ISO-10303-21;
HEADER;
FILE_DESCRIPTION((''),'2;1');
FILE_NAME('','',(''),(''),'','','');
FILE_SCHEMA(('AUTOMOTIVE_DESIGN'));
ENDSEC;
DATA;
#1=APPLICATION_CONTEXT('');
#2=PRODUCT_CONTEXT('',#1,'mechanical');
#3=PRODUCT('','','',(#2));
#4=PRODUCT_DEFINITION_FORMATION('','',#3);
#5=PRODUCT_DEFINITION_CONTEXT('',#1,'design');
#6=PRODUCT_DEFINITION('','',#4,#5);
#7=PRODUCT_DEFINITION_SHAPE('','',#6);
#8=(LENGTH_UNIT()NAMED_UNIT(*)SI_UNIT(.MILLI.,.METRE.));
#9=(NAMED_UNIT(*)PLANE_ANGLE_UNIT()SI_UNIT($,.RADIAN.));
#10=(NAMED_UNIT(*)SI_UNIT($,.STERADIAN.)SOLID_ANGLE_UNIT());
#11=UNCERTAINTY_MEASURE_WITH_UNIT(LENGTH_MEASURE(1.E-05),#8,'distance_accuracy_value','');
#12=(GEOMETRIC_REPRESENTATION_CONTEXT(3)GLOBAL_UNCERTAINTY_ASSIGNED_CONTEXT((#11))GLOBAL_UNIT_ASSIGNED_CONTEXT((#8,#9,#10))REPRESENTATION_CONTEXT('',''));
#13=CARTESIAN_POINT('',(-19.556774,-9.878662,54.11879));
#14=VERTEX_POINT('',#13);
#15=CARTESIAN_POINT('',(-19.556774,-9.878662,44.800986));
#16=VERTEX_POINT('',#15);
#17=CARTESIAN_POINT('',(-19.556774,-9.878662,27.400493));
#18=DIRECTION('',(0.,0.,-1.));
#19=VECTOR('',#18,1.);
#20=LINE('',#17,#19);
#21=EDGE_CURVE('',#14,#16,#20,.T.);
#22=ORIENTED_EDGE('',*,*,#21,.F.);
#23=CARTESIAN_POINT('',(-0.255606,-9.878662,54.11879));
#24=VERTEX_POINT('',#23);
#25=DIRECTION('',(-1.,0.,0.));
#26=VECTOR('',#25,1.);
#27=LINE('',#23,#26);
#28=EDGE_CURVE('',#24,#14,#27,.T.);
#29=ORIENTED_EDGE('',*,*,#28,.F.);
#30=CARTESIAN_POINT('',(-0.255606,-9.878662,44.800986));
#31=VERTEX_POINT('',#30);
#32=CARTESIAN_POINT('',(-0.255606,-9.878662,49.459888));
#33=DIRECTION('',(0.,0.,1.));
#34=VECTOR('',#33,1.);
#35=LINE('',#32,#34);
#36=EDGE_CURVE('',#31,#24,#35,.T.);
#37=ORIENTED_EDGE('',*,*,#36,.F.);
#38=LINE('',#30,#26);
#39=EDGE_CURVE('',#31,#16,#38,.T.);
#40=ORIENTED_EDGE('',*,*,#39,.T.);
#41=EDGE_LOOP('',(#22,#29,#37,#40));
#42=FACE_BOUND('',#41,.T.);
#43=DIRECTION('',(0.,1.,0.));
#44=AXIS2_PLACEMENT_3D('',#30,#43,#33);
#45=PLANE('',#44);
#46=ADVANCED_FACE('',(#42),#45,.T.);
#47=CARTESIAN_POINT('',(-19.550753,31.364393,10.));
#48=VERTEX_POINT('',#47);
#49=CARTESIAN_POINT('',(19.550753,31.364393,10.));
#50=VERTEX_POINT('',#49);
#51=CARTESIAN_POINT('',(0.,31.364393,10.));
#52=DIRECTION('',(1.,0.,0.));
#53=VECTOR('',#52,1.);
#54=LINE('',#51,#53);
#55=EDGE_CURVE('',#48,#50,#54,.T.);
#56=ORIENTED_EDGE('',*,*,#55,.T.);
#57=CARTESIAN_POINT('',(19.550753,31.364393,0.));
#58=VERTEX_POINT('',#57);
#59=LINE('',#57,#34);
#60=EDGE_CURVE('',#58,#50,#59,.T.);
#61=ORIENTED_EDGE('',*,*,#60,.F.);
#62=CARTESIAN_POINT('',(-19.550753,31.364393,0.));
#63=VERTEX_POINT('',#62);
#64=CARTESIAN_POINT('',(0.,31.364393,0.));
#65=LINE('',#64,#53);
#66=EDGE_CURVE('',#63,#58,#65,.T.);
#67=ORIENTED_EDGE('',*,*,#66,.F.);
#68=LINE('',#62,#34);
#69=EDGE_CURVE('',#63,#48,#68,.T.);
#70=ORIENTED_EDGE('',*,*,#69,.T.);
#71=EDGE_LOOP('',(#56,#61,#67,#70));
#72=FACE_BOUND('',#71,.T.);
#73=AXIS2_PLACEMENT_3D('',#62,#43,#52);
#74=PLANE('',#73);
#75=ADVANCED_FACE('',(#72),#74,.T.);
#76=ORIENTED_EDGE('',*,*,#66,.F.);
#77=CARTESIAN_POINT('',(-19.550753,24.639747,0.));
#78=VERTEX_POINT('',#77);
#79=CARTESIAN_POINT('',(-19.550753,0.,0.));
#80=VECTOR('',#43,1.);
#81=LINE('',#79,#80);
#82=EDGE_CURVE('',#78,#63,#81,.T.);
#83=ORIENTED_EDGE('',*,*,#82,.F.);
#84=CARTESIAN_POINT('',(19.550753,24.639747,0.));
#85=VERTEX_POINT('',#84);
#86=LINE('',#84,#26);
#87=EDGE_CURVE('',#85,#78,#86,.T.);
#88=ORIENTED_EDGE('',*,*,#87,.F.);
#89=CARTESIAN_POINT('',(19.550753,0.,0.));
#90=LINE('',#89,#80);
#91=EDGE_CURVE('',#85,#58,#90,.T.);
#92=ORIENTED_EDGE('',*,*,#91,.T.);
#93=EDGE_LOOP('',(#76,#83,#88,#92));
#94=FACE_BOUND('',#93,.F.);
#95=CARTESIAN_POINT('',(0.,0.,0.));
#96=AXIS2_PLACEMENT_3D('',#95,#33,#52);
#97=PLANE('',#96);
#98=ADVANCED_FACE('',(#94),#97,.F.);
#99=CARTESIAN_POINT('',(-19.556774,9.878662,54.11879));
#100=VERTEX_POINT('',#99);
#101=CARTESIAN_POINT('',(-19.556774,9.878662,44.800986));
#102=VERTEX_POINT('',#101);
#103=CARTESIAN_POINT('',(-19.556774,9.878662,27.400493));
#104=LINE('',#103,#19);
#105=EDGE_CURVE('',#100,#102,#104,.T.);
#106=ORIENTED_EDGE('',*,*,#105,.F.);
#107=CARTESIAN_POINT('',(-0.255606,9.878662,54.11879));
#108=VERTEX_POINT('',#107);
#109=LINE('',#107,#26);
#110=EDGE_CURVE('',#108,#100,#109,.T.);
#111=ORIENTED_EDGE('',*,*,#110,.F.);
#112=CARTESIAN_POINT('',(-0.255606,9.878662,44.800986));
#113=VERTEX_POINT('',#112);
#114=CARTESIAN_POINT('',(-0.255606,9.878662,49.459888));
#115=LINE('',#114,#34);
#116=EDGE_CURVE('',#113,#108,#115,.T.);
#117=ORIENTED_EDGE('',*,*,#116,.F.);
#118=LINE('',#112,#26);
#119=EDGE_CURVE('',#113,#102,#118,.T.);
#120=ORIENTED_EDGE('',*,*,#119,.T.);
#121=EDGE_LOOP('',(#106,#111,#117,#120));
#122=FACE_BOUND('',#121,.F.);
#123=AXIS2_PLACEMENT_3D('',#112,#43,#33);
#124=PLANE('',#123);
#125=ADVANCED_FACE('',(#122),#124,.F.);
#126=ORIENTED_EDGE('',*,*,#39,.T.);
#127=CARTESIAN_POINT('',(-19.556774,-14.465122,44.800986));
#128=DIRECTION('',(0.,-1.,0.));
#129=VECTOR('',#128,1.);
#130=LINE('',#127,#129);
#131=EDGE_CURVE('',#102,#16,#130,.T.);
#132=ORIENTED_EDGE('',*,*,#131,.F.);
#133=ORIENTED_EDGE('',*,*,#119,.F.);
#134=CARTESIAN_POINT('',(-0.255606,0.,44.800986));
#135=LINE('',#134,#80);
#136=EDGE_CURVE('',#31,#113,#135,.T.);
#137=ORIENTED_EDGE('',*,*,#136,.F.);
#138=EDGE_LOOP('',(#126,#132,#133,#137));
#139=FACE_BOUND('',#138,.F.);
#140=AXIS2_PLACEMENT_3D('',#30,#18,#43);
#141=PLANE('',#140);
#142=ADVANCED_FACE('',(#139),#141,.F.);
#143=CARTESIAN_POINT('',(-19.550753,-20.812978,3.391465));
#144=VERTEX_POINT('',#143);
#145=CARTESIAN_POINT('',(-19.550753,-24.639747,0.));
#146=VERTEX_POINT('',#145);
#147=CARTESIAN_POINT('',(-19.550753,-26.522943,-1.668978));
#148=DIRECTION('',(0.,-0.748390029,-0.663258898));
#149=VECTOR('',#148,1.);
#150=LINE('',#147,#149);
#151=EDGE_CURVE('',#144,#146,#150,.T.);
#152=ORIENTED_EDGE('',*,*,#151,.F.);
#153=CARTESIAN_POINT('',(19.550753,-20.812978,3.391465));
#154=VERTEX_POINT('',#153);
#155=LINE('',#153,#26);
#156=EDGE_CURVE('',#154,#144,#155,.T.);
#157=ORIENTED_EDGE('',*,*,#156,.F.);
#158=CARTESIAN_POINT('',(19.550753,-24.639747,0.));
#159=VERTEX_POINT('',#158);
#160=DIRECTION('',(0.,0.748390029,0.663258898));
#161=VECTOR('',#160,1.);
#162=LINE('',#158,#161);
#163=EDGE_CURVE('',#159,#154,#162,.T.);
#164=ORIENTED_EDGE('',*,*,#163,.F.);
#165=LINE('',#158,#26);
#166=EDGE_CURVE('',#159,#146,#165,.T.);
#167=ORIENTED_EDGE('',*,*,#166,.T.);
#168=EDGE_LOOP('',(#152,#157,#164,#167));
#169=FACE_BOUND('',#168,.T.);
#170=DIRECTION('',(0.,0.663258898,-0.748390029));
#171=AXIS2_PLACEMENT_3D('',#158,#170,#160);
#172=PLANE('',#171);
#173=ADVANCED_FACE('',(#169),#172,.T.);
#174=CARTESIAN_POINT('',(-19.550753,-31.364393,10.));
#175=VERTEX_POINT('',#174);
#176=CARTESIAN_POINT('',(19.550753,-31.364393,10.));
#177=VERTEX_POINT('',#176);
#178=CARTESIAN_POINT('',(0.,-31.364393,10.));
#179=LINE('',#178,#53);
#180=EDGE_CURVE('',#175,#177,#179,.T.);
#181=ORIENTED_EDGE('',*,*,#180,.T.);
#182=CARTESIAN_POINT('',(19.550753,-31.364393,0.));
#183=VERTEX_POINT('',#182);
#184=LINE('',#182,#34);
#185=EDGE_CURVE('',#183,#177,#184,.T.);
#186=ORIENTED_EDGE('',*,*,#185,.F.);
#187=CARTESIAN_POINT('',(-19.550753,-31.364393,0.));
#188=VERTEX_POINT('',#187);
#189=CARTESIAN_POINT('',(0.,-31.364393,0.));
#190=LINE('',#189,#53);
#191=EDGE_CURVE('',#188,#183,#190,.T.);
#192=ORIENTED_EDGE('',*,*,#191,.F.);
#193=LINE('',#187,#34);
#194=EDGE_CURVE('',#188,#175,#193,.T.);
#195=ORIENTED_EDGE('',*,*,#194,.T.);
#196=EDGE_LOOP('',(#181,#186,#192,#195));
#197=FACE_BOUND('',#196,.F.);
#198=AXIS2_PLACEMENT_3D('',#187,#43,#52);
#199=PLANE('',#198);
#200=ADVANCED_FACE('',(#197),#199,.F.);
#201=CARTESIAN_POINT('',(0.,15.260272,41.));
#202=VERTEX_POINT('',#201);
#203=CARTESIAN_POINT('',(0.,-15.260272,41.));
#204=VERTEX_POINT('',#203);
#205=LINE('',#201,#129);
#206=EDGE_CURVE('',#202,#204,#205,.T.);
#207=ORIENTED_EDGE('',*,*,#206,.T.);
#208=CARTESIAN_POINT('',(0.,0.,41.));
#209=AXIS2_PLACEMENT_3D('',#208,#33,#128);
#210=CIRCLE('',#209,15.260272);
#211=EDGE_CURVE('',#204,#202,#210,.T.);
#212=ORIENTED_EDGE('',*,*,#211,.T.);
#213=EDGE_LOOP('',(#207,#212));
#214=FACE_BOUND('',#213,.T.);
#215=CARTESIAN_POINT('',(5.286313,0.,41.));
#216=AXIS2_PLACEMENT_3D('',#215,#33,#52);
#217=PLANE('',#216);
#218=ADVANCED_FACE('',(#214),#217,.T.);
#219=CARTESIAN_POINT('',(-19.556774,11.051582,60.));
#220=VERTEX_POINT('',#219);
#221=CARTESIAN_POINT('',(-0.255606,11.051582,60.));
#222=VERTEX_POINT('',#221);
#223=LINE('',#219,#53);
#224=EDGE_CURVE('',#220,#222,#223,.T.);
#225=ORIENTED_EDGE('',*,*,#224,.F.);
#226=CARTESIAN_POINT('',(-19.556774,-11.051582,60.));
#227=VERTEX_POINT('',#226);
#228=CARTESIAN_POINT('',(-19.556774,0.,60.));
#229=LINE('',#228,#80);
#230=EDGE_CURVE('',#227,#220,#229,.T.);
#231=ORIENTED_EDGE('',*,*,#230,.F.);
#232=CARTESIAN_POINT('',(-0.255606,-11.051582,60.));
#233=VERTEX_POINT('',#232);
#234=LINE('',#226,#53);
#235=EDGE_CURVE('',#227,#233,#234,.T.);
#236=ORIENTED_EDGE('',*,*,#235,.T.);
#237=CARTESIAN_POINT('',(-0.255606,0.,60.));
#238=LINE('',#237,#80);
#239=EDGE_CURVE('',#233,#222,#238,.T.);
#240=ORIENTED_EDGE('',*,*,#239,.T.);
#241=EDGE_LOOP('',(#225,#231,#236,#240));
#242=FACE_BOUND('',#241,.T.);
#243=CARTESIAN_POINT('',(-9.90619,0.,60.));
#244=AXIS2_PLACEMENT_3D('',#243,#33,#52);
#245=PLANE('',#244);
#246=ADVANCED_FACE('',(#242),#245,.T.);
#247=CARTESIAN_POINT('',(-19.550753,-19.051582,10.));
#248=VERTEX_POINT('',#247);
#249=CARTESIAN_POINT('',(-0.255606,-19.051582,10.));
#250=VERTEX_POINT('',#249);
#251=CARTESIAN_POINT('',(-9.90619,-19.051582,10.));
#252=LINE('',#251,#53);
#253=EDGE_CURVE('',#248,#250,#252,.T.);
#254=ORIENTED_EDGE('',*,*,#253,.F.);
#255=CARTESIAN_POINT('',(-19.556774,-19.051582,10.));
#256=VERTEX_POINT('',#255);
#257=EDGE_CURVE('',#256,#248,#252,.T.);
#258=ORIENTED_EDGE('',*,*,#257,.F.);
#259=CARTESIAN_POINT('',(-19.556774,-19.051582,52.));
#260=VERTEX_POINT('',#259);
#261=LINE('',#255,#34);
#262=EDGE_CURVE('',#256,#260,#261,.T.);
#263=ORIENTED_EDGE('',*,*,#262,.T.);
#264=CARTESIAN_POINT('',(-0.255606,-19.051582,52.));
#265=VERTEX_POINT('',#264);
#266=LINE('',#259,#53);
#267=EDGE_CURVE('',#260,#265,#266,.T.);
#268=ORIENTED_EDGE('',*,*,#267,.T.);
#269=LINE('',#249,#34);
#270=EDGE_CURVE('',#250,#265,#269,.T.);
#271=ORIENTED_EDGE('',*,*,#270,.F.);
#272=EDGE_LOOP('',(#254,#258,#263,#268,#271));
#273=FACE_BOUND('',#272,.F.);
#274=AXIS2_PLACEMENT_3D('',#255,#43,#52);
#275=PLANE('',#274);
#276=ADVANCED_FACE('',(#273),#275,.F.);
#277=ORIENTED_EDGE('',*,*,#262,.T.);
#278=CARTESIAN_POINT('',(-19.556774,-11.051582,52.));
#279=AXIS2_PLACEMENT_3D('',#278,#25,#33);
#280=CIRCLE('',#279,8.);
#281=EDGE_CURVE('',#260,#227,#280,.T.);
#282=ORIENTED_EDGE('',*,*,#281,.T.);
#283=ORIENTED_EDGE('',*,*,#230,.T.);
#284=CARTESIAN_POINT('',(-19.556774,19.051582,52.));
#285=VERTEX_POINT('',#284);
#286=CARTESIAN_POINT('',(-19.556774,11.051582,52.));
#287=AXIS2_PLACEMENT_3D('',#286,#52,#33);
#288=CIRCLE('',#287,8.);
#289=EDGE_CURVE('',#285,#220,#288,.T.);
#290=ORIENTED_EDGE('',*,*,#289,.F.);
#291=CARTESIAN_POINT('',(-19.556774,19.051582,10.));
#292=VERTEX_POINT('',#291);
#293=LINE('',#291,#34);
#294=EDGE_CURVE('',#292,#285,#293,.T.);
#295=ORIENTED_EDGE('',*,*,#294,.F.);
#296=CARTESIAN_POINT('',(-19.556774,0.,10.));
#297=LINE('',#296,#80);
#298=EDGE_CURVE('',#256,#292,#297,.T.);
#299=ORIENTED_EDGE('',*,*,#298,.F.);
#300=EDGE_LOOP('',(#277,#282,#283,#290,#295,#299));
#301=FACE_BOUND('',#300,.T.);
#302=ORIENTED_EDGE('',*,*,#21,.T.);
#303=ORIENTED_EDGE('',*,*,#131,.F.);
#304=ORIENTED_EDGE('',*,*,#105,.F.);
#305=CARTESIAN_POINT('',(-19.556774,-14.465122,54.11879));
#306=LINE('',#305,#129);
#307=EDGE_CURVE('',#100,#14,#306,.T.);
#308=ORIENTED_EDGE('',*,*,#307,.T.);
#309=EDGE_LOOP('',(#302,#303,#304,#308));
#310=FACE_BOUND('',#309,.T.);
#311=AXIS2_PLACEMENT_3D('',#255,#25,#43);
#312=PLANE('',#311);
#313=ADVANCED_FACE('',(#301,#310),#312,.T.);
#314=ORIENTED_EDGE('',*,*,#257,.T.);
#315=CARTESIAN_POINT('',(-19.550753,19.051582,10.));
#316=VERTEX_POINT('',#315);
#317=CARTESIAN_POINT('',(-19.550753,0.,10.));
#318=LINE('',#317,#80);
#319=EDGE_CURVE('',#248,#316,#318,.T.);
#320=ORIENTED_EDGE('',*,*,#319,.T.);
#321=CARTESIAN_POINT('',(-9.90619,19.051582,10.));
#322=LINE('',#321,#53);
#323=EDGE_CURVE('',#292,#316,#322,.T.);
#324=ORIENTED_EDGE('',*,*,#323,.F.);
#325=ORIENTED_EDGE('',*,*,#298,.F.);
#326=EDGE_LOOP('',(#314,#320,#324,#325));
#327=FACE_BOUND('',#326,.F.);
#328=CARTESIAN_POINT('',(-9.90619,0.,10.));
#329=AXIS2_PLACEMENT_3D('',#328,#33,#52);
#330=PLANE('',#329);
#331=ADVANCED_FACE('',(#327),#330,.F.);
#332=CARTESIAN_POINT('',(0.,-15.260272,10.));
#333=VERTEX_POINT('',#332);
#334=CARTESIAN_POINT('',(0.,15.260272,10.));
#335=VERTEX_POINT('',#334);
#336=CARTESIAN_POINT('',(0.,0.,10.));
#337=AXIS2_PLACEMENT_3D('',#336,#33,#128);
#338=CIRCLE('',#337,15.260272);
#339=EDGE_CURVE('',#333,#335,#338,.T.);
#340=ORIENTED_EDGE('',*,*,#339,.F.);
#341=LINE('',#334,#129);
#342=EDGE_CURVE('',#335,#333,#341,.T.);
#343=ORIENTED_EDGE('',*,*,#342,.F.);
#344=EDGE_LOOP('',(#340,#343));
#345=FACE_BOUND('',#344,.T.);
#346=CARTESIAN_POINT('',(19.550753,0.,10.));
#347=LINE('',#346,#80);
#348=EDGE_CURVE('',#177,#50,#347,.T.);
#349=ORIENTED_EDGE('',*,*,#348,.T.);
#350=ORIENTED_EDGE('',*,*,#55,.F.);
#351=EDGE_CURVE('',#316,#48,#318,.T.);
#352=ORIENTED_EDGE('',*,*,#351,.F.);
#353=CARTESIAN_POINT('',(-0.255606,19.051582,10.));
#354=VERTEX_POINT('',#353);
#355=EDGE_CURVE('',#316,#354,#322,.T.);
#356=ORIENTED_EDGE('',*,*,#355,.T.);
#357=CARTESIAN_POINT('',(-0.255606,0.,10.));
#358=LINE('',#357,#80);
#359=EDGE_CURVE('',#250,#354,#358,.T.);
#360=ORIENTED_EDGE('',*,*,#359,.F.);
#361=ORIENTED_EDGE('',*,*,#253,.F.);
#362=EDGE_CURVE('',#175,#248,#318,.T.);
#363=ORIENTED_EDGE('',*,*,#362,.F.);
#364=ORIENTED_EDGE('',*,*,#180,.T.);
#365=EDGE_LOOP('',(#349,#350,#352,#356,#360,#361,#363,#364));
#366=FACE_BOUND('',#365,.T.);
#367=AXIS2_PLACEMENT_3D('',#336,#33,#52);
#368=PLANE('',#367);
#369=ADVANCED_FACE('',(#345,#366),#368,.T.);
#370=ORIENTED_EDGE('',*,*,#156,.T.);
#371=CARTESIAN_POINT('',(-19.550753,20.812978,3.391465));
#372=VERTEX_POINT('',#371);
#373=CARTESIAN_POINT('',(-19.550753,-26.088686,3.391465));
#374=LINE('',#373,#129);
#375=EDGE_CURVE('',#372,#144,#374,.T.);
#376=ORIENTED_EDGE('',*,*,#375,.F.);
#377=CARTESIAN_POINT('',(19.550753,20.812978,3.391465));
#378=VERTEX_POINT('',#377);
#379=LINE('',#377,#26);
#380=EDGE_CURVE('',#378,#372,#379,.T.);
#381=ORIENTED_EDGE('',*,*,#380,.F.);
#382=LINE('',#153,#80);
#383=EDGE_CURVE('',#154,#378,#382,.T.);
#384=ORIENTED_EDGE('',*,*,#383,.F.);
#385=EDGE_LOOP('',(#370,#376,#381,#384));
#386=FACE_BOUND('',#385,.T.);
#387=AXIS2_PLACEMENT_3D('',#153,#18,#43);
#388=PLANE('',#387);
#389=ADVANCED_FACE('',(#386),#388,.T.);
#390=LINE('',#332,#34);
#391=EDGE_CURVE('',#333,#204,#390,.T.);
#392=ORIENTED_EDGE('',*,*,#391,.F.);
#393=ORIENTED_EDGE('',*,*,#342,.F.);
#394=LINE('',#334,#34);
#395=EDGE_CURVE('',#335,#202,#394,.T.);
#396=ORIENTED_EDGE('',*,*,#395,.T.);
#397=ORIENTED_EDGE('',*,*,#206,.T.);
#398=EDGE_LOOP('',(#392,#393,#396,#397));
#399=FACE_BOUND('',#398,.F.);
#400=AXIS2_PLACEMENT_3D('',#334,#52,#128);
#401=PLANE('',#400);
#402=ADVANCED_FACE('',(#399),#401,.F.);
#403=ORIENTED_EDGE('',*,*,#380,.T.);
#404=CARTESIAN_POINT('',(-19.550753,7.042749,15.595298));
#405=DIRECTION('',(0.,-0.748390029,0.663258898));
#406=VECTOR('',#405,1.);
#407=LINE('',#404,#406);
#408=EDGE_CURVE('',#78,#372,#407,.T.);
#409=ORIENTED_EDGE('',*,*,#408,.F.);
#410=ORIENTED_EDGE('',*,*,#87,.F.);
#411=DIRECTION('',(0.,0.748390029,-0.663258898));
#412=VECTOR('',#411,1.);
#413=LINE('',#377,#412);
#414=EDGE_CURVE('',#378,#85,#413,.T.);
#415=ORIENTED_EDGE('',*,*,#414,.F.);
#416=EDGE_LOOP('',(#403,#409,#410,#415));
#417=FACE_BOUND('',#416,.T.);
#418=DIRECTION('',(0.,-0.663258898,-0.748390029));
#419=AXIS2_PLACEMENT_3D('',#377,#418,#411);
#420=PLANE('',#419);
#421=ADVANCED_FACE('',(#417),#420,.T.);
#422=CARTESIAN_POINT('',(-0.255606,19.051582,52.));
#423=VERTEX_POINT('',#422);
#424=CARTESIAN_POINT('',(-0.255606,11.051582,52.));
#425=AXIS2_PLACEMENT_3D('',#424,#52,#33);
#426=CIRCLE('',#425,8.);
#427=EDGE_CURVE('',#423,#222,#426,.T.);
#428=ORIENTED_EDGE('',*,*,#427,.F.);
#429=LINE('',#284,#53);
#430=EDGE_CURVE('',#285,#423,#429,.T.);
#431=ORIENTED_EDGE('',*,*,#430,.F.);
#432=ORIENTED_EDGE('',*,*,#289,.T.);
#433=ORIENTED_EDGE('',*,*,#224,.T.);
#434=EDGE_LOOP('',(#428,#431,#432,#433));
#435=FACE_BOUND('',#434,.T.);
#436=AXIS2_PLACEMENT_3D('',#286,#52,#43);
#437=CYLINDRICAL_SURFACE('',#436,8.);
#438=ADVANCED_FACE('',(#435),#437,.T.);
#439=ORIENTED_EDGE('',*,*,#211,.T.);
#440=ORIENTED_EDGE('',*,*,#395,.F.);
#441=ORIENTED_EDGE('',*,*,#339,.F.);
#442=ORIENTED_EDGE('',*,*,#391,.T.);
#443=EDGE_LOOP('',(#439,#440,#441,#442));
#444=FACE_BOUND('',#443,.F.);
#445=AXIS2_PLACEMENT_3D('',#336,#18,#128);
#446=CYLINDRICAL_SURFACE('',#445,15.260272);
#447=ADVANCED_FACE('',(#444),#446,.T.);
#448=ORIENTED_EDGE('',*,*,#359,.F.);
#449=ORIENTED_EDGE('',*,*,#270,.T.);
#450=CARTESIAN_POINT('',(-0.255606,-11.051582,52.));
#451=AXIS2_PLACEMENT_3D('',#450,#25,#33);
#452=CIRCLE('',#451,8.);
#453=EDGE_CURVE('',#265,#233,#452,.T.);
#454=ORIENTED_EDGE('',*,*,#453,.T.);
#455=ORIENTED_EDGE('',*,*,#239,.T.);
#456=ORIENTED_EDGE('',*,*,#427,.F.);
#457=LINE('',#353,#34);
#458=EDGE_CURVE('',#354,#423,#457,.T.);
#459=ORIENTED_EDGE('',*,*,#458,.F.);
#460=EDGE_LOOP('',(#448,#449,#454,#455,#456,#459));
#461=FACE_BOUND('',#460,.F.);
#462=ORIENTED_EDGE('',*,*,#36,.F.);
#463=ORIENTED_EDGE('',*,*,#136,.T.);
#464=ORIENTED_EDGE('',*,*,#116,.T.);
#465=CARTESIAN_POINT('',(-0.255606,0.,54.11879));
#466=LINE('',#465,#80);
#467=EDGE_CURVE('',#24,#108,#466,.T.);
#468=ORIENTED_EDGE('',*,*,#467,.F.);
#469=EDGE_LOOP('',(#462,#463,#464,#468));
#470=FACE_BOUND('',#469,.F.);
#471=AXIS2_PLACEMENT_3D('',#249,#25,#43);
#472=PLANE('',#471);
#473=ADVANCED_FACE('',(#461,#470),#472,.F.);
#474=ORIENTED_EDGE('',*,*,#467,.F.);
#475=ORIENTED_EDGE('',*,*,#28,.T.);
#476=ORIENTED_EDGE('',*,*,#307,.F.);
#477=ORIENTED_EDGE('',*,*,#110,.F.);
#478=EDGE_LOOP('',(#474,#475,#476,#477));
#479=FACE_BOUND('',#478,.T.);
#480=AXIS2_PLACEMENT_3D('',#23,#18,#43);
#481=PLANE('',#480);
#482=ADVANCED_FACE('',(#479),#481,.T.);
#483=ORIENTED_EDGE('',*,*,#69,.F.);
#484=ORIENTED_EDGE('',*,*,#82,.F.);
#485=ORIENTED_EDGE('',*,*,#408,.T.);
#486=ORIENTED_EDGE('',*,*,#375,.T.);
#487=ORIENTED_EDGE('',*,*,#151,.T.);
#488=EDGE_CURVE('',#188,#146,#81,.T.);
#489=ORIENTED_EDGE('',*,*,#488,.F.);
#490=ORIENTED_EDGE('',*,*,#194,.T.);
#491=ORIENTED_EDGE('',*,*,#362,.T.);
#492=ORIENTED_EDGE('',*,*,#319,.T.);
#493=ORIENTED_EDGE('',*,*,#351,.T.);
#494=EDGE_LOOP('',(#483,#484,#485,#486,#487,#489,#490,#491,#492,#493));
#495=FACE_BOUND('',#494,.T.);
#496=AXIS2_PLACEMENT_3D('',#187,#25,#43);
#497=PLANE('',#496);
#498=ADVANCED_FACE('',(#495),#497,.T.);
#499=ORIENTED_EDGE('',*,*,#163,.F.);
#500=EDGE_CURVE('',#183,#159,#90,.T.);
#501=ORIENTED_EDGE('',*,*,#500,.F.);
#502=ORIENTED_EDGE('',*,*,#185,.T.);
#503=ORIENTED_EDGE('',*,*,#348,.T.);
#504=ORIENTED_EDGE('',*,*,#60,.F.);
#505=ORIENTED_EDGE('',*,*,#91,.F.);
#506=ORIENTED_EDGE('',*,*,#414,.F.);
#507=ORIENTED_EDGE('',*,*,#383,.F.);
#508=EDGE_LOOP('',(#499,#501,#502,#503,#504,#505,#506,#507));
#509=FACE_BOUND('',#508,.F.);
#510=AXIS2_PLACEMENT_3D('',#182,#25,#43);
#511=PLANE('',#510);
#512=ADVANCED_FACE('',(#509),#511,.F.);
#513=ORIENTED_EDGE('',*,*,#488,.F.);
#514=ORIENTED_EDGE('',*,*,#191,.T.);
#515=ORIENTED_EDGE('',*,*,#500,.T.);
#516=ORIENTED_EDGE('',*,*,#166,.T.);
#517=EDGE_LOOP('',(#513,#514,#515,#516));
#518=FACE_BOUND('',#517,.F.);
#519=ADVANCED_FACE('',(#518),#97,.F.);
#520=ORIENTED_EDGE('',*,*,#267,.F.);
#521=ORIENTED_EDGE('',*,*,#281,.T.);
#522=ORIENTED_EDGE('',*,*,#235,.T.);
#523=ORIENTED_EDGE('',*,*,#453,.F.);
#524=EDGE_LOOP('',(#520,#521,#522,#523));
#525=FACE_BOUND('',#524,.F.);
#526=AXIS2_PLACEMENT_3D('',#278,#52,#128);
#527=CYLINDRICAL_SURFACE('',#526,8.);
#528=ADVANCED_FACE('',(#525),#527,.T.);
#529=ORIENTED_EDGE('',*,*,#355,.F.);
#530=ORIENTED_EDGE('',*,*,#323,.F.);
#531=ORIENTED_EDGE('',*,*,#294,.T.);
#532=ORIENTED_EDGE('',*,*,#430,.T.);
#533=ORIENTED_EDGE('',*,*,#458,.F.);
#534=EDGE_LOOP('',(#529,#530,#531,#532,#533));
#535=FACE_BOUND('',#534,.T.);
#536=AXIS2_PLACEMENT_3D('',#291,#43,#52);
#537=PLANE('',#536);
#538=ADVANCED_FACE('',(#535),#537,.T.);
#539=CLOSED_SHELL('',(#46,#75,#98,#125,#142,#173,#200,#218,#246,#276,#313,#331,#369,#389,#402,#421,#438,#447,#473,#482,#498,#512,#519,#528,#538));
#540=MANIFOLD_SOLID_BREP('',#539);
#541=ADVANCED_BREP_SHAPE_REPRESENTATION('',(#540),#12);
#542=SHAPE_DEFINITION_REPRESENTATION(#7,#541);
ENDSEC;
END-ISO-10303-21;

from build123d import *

# Parameters (mm, degrees)
SKETCH_W        = 39.101506
SKETCH_H        = 62.728786
PAD_DEPTH       = 10
POCKET_DEPTH    = 39.102506
SKETCH002_W     = 19.301168
SKETCH002_H     = 38.103164
PAD001_DEPTH    = 50
FILLET_R        = 8
PAD002_DEPTH    = 31
SKETCH004_W     = 19.757324
SKETCH004_H     = 9.317804
POCKET001_DEPTH = 19.302168


with BuildPart() as part:
    # Sketch → Pad (new body)
    with BuildSketch(Plane.XY):
        Rectangle(SKETCH_W, SKETCH_H)
    extrude(amount=PAD_DEPTH)

    # Sketch001 (on Face3 of Pad) → Pocket (cut, through all)
    with BuildSketch(Plane.YZ.offset(19.550753)):
        Polygon((-24.639747, 0), (-20.812978, 3.391465), (20.812978, 3.391465), (24.639747, 0), align=None)
    extrude(amount=-POCKET_DEPTH, mode=Mode.SUBTRACT)

    # Sketch002 (on Face8 of Pocket) → Pad001 (join)
    with BuildSketch(Plane.XY.offset(10)):
        with Locations((-9.90619, 0)):
            Rectangle(SKETCH002_W, SKETCH002_H)
    extrude(amount=PAD001_DEPTH)

    # Fillet
    fillet_edges = [part.edges().sort_by_distance(p)[0] for p in [
        (-9.90619, -19.051582, 60),
        (-9.90619, 19.051582, 60),
    ]]
    fillet(fillet_edges, radius=FILLET_R)

    # Sketch003 (on Face6 of Fillet) → Pad002 (join)
    with BuildSketch(Plane.XY.offset(10)):
        with BuildLine():
            ThreePointArc((0, -15.260272), (15.260272, 0), (0, 15.260272))
            Line((0, 0), (0, 15.260272))
            Line((0, 0), (0, -15.260272))
        make_face()
    extrude(amount=PAD002_DEPTH)

    # Sketch004 (on Face5 of Pad002) → Pocket001 (cut, through all)
    with BuildSketch(Plane.YZ.offset(-0.255606)):
        with Locations((0, 49.459888)):
            Rectangle(SKETCH004_W, SKETCH004_H)
    extrude(amount=-POCKET001_DEPTH, mode=Mode.SUBTRACT)


solid = part.part
